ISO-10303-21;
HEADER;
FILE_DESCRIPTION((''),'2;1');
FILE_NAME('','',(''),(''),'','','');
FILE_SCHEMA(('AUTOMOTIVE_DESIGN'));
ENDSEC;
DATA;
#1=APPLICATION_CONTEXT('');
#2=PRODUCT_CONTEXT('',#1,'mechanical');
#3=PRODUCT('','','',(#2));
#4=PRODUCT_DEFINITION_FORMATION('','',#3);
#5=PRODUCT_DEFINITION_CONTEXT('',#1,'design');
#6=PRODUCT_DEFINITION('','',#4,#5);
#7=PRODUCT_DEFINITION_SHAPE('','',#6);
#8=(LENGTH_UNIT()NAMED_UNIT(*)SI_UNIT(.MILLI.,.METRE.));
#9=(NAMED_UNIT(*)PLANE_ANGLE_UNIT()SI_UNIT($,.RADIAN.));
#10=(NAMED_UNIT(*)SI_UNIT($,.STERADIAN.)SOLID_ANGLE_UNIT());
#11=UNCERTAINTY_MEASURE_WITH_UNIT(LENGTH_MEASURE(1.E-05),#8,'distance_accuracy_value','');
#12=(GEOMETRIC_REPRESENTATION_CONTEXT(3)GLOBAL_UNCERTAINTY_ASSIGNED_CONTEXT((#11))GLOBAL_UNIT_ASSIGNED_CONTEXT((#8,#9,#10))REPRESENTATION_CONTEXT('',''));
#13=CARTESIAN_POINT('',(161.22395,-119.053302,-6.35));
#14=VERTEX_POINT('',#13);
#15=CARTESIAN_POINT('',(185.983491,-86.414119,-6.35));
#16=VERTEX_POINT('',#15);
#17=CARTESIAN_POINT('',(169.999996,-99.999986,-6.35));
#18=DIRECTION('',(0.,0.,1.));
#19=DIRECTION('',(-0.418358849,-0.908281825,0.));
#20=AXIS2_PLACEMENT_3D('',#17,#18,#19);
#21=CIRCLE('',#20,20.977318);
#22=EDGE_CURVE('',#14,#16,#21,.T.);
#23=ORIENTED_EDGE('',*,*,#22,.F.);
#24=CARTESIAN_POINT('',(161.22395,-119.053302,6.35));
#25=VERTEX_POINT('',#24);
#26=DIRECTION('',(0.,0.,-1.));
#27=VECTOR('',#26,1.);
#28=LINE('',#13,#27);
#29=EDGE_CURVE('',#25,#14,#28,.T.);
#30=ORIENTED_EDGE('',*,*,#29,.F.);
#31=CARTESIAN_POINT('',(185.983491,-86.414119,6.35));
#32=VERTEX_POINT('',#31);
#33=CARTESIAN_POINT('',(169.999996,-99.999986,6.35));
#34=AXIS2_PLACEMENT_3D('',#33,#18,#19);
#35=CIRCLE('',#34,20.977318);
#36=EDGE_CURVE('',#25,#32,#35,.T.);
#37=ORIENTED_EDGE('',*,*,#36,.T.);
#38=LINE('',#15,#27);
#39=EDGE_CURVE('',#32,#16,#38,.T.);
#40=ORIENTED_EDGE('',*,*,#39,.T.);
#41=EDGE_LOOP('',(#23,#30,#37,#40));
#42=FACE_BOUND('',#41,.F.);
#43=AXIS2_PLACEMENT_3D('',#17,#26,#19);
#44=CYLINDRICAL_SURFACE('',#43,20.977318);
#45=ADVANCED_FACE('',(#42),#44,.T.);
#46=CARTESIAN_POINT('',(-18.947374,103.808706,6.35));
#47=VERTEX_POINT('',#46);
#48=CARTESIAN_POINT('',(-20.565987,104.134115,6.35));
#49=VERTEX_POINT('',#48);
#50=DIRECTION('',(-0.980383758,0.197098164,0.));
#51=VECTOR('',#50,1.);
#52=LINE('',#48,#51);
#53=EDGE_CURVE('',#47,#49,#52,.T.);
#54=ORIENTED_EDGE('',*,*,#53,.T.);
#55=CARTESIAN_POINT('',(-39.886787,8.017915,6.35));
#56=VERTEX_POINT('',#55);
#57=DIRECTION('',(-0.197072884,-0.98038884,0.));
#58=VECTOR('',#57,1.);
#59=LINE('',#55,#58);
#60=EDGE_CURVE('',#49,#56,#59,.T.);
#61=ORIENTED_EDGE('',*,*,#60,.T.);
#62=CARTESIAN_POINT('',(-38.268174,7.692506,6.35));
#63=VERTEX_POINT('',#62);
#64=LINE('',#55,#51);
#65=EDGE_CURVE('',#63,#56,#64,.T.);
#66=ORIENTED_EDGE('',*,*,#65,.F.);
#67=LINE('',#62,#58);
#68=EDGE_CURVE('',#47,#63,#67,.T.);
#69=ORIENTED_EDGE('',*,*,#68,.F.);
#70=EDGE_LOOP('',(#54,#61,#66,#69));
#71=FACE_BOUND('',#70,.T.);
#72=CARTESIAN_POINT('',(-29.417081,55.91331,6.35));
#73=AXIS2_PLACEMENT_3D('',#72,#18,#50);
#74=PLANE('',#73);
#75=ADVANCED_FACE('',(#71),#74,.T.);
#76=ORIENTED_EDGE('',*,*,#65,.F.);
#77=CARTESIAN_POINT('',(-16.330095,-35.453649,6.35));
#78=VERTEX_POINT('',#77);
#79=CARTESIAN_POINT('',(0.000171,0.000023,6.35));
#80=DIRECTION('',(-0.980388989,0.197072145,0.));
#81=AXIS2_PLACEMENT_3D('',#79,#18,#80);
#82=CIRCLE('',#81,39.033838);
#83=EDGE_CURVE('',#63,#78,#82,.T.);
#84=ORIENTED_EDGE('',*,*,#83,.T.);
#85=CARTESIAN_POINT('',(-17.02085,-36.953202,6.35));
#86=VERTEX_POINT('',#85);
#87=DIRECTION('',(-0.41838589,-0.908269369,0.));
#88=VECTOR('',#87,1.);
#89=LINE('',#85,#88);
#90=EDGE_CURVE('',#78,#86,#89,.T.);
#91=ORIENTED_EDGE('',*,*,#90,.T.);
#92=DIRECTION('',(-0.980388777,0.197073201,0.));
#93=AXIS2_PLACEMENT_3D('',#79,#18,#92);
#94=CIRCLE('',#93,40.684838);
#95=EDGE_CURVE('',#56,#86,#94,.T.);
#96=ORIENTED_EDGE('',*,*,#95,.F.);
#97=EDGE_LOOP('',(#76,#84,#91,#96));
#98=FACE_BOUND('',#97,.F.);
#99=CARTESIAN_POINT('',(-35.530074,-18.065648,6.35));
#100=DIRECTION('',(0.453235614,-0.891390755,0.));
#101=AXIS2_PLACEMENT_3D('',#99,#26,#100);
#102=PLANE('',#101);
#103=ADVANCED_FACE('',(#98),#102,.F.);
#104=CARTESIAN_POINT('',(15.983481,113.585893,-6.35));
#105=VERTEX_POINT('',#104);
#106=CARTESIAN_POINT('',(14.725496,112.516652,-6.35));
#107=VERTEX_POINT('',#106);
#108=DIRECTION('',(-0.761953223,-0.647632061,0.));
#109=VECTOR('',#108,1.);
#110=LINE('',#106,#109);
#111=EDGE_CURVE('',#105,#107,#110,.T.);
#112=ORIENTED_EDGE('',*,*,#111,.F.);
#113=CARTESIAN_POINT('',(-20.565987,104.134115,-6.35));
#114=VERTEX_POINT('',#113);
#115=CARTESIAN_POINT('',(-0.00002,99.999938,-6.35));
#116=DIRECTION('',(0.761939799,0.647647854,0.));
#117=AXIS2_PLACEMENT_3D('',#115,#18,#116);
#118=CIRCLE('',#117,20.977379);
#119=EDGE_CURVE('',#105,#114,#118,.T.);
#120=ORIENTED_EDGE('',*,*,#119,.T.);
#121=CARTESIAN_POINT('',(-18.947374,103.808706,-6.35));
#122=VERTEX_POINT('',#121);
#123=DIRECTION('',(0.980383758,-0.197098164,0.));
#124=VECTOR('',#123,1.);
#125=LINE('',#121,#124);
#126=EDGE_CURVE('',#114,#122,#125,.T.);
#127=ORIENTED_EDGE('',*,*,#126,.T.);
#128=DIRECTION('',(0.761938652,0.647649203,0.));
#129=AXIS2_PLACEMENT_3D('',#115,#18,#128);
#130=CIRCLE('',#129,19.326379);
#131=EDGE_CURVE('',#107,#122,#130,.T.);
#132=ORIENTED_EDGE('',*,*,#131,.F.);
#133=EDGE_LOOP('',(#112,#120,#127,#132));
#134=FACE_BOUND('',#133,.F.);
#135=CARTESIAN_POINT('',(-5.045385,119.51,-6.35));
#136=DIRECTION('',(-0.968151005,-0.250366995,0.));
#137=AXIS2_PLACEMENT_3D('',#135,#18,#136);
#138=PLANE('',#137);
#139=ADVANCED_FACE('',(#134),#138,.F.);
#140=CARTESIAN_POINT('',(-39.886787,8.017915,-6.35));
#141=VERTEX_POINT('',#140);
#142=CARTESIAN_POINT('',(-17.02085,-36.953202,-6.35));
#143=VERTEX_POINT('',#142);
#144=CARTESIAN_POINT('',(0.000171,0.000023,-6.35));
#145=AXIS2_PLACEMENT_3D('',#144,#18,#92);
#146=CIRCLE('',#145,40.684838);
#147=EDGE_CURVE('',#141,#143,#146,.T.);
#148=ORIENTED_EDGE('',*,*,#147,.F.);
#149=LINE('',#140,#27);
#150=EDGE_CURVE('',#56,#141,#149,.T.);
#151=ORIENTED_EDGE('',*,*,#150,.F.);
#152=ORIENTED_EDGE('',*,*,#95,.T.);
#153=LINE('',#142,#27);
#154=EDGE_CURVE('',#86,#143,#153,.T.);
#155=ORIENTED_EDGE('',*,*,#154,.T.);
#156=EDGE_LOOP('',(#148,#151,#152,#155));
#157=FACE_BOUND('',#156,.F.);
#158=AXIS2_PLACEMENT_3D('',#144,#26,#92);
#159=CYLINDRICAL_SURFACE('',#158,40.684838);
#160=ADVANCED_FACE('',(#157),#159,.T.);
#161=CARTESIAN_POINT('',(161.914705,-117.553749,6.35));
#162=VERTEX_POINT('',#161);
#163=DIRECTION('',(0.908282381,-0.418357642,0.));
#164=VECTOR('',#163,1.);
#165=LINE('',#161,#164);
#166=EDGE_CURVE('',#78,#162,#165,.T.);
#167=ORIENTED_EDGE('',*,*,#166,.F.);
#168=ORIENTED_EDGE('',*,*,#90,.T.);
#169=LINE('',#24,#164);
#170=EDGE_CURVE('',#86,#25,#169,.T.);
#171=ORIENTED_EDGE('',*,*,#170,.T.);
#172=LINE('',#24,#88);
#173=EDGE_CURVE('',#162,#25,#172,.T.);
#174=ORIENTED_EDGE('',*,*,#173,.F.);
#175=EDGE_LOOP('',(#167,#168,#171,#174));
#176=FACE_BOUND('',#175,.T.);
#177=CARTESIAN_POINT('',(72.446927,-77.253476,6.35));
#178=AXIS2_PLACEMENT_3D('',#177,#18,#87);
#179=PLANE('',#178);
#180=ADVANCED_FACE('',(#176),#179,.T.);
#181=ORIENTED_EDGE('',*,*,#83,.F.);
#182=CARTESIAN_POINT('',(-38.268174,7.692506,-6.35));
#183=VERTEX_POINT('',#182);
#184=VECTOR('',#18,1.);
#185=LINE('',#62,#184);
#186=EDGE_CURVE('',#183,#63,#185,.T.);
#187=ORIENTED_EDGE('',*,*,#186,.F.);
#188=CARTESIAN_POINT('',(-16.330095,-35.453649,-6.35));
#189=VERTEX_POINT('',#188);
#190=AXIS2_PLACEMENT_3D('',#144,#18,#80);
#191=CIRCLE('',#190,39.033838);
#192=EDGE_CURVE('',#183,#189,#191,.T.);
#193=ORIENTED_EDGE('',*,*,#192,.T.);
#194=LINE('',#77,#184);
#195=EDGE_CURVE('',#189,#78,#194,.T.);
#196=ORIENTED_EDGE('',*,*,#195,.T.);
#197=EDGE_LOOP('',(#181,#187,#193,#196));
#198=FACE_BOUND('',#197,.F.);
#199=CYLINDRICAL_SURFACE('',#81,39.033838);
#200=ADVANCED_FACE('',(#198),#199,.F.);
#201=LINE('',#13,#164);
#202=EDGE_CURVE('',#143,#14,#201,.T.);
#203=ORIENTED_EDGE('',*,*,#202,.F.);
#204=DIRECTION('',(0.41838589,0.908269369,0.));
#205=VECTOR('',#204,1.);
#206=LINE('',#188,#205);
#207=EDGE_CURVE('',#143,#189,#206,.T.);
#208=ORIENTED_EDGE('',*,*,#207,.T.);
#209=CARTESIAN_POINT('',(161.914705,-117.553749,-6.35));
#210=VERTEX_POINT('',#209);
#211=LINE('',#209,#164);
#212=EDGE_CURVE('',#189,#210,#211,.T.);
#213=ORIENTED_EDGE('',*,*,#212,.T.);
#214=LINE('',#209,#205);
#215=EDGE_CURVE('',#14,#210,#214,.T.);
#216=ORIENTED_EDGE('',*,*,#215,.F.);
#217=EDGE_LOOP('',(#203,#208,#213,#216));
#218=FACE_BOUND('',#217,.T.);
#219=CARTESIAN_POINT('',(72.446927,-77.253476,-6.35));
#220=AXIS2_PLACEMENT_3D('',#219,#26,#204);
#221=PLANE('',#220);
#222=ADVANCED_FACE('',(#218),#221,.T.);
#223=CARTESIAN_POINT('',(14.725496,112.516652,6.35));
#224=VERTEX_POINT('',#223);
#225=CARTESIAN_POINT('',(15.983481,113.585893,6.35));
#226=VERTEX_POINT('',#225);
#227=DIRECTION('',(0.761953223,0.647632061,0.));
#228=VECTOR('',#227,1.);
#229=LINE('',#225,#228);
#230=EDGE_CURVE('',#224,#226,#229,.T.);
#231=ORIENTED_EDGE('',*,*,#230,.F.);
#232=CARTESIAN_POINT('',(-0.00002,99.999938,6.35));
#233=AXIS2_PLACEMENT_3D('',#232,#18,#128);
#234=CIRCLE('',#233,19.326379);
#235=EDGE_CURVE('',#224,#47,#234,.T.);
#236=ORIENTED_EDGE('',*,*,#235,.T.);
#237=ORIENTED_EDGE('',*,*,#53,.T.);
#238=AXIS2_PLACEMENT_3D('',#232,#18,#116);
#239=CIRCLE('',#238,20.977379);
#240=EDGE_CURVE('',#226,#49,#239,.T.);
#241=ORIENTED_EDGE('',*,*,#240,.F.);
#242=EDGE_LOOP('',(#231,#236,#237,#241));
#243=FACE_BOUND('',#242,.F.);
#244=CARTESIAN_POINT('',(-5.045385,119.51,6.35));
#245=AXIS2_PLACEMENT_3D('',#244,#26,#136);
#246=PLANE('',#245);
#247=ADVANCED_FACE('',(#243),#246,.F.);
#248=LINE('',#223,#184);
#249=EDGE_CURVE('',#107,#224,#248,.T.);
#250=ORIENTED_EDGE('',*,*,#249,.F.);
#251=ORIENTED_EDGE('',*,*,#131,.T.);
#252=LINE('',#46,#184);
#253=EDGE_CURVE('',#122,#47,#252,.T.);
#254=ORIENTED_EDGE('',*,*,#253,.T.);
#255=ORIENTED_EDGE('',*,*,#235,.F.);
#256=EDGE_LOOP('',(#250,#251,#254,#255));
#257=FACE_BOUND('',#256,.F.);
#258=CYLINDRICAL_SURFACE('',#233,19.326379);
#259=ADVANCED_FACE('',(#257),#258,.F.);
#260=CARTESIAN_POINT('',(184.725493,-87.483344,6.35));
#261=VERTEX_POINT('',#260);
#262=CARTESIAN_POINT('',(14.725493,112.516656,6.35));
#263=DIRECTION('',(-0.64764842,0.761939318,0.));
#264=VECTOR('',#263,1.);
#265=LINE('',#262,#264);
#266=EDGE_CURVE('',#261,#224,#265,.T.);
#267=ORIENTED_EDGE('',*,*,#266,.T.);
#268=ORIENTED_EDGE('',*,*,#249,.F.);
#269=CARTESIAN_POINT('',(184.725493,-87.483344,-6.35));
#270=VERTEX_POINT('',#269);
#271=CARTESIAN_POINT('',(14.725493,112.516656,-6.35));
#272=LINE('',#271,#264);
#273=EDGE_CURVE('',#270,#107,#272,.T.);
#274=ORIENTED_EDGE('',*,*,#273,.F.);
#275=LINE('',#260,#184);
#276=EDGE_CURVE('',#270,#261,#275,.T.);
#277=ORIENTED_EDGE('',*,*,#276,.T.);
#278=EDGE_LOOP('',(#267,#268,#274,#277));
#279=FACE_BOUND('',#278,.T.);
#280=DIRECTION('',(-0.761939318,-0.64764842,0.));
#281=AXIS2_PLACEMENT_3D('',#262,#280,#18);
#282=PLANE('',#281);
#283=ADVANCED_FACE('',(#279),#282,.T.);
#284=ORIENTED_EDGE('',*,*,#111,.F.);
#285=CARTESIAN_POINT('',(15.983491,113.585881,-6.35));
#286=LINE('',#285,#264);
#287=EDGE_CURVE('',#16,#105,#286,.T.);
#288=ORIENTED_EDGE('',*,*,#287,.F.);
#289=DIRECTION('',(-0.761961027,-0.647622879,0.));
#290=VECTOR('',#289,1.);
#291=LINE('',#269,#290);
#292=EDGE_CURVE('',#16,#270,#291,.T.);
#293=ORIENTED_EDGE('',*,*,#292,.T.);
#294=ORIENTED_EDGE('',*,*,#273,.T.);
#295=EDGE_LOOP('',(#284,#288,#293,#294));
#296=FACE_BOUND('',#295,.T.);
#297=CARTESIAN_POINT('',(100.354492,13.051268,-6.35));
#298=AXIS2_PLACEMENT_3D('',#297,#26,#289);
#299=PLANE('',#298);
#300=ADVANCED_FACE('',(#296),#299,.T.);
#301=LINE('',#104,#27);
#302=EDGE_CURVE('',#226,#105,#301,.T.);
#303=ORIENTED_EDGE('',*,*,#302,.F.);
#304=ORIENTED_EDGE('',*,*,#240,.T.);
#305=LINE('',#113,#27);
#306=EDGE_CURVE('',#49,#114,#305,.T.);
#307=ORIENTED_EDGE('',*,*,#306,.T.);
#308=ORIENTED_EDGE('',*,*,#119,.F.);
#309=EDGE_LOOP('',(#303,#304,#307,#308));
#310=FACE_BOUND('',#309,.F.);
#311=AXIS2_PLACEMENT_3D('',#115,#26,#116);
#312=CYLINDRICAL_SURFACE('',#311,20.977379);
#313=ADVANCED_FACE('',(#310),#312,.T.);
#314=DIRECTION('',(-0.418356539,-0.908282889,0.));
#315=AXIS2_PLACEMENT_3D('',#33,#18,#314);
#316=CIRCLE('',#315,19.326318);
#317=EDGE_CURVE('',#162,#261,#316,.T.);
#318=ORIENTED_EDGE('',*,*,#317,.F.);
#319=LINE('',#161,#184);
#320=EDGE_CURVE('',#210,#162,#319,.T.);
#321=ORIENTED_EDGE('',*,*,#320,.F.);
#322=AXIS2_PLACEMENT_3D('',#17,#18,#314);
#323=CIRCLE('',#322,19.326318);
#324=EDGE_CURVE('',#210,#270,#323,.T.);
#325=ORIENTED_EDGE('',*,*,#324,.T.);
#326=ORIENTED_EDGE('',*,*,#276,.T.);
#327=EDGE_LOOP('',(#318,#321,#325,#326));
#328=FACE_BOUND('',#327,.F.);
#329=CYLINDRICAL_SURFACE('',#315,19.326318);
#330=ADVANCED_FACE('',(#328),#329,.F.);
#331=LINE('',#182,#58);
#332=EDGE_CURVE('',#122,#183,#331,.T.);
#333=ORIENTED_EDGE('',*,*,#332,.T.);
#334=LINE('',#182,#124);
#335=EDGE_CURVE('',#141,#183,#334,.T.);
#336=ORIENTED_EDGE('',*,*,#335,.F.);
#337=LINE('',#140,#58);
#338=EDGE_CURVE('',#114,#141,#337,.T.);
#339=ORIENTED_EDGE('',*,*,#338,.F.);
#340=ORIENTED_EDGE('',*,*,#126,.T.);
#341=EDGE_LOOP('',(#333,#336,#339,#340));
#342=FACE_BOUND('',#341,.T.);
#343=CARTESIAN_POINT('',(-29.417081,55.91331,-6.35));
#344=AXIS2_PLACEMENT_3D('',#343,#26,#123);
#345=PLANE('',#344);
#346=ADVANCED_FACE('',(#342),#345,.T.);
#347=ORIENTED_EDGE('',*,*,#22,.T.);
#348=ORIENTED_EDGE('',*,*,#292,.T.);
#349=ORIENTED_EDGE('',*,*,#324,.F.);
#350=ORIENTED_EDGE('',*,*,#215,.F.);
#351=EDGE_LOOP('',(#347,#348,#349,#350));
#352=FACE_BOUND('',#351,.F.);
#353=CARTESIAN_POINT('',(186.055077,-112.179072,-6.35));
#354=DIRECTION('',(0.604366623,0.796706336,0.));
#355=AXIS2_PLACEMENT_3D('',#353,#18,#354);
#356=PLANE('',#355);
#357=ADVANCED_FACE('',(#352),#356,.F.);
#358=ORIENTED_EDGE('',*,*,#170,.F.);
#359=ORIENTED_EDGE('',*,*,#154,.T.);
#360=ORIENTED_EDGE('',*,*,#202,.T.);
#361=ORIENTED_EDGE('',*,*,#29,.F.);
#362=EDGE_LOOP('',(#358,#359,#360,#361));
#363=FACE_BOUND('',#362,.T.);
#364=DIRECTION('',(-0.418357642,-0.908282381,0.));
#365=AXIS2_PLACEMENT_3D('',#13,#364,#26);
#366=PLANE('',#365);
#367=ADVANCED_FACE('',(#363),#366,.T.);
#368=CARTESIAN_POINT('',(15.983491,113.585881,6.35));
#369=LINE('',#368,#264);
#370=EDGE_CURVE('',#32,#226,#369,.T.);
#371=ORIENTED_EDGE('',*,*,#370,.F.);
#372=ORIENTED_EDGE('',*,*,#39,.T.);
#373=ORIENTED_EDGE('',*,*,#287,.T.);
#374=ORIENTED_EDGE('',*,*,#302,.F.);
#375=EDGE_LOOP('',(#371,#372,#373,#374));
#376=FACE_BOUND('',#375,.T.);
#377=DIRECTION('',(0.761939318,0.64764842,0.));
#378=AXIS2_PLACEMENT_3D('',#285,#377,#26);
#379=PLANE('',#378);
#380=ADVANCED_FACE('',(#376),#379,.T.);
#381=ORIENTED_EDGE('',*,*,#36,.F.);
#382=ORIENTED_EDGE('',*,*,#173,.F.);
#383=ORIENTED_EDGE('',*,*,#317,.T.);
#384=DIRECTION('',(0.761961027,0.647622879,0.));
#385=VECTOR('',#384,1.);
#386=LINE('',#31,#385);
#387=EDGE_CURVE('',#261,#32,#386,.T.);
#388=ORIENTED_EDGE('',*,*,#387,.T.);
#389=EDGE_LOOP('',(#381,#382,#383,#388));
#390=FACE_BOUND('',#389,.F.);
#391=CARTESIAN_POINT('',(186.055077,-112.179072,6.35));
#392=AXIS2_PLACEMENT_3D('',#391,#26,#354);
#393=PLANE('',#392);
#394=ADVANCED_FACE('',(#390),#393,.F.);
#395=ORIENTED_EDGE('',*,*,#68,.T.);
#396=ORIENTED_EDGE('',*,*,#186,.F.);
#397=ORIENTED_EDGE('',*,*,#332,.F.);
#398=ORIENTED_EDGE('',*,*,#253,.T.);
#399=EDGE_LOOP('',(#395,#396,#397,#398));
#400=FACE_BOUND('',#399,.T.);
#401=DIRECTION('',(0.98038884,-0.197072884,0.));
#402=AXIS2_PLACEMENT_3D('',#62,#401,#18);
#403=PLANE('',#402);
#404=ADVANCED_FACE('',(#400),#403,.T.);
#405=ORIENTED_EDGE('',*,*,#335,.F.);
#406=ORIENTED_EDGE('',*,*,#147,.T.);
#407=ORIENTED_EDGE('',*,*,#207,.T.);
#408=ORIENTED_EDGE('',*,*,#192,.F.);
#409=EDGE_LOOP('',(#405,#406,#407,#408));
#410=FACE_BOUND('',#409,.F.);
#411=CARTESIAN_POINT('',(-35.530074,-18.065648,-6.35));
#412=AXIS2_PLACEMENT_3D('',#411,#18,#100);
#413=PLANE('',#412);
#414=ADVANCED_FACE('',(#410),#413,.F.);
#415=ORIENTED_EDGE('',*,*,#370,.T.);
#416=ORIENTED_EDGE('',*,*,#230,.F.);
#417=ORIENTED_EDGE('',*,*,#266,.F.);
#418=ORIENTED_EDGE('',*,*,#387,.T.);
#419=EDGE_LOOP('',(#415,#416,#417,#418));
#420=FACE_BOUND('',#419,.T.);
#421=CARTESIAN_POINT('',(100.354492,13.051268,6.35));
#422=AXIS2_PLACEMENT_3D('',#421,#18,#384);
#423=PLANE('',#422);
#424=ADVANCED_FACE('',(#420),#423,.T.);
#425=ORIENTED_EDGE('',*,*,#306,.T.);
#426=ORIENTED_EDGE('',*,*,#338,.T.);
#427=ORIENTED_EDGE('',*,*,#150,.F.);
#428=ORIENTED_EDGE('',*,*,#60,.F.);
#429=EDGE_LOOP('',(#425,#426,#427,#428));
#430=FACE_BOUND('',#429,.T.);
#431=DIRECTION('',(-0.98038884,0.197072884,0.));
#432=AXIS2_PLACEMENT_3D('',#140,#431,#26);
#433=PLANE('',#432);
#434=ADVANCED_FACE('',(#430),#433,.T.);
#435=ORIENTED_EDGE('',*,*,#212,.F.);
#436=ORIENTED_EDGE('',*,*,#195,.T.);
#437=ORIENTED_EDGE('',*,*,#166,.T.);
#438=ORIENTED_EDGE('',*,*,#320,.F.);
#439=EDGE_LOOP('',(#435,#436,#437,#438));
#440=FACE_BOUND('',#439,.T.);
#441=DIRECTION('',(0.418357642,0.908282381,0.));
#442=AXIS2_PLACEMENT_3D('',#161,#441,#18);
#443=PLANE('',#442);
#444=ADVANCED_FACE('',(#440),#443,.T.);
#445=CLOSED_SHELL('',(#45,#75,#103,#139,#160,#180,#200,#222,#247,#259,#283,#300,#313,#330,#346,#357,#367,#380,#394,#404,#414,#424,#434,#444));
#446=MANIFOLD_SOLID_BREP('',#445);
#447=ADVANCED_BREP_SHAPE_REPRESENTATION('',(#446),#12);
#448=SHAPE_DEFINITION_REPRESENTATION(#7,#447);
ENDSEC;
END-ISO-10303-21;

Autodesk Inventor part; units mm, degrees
sketch "Эскизная траектория" plane through (0, 0, 0) normal (0, 0, 1) x (1, 0, 0)
  arc A0 (-38.6417, 7.7676) -> (-16.4895, -35.7997) centre (0, 0) ccw
  arc A1 (15.0158, 112.7634) -> (-19.3209, 103.8838) centre (0, 100) ccw
  arc A2 (161.7553, -117.8998) -> (185.0158, -87.2366) centre (170, -100) ccw
  line L0 (161.7553, -117.8998) -> (-16.4895, -35.7997)
  line L1 (-38.6417, 7.7676) -> (-19.3209, 103.8838)
  line L2 (15.0158, 112.7634) -> (185.0158, -87.2366)
ref_plane "Плоскость сечения" through (-16.4895, -35.7997, 0) normal (0.9083, -0.4184, 0) x (0, 0, 1)
ref_plane "РабПлоскость2" through (0, 0, 0) normal (-1, 0, 0) x (0, 0, 1)
ref_plane "РабПлоскость3" through (0, 100, 0) normal (-0.3756, -0.9268, 0) x (0, 0, 1)
ref_plane "РабПлоскость4" through (170, -100, 0) normal (-0.5724, 0.8199, 0) x (0, 0, 1)
sketch "Сечение" plane through (-16.4895, -35.7997, 0) normal (0.9083, -0.4184, 0) x (0, 0, 1)
  line L0 (-6.35, 1.27) -> (6.35, 1.27)
  line L1 (6.35, 1.27) -> (6.35, -0.381)
  line L2 (6.35, -0.381) -> (-6.35, -0.381)
  line L3 (-6.35, -0.381) -> (-6.35, 1.27)
  line L4 (-6.35, 0) -> (6.35, 0) construction
  point P0 (0, 0)
  point P1 (0, 0)
  dimension "d0" = 12.7
  dimension "d4" = 0.381
  dimension "d5" = 1.27
sweep "Ремень" add profiles "Сечение" path "Эскизная траектория"
equation "\"d0\" = da_B"
equation "\"d4\" = da_a"
equation "\"d5\" = da_a2"
equation "\"da_B\" = 12.7"
equation "\"da_pb\" = 9.525"
equation "\"da_L\" = 706.95496"
equation "\"da_a\" = 0.381"
equation "\"da_S\" = 4.6482"
equation "\"da_Beta\" = 20deg"
equation "\"da_Ht\" = 1.905"
equation "\"da_H\" = 3.556"
equation "\"da_a2\" = 1.27"
properties part number "Зубчатый ремень" material "Rubber"
